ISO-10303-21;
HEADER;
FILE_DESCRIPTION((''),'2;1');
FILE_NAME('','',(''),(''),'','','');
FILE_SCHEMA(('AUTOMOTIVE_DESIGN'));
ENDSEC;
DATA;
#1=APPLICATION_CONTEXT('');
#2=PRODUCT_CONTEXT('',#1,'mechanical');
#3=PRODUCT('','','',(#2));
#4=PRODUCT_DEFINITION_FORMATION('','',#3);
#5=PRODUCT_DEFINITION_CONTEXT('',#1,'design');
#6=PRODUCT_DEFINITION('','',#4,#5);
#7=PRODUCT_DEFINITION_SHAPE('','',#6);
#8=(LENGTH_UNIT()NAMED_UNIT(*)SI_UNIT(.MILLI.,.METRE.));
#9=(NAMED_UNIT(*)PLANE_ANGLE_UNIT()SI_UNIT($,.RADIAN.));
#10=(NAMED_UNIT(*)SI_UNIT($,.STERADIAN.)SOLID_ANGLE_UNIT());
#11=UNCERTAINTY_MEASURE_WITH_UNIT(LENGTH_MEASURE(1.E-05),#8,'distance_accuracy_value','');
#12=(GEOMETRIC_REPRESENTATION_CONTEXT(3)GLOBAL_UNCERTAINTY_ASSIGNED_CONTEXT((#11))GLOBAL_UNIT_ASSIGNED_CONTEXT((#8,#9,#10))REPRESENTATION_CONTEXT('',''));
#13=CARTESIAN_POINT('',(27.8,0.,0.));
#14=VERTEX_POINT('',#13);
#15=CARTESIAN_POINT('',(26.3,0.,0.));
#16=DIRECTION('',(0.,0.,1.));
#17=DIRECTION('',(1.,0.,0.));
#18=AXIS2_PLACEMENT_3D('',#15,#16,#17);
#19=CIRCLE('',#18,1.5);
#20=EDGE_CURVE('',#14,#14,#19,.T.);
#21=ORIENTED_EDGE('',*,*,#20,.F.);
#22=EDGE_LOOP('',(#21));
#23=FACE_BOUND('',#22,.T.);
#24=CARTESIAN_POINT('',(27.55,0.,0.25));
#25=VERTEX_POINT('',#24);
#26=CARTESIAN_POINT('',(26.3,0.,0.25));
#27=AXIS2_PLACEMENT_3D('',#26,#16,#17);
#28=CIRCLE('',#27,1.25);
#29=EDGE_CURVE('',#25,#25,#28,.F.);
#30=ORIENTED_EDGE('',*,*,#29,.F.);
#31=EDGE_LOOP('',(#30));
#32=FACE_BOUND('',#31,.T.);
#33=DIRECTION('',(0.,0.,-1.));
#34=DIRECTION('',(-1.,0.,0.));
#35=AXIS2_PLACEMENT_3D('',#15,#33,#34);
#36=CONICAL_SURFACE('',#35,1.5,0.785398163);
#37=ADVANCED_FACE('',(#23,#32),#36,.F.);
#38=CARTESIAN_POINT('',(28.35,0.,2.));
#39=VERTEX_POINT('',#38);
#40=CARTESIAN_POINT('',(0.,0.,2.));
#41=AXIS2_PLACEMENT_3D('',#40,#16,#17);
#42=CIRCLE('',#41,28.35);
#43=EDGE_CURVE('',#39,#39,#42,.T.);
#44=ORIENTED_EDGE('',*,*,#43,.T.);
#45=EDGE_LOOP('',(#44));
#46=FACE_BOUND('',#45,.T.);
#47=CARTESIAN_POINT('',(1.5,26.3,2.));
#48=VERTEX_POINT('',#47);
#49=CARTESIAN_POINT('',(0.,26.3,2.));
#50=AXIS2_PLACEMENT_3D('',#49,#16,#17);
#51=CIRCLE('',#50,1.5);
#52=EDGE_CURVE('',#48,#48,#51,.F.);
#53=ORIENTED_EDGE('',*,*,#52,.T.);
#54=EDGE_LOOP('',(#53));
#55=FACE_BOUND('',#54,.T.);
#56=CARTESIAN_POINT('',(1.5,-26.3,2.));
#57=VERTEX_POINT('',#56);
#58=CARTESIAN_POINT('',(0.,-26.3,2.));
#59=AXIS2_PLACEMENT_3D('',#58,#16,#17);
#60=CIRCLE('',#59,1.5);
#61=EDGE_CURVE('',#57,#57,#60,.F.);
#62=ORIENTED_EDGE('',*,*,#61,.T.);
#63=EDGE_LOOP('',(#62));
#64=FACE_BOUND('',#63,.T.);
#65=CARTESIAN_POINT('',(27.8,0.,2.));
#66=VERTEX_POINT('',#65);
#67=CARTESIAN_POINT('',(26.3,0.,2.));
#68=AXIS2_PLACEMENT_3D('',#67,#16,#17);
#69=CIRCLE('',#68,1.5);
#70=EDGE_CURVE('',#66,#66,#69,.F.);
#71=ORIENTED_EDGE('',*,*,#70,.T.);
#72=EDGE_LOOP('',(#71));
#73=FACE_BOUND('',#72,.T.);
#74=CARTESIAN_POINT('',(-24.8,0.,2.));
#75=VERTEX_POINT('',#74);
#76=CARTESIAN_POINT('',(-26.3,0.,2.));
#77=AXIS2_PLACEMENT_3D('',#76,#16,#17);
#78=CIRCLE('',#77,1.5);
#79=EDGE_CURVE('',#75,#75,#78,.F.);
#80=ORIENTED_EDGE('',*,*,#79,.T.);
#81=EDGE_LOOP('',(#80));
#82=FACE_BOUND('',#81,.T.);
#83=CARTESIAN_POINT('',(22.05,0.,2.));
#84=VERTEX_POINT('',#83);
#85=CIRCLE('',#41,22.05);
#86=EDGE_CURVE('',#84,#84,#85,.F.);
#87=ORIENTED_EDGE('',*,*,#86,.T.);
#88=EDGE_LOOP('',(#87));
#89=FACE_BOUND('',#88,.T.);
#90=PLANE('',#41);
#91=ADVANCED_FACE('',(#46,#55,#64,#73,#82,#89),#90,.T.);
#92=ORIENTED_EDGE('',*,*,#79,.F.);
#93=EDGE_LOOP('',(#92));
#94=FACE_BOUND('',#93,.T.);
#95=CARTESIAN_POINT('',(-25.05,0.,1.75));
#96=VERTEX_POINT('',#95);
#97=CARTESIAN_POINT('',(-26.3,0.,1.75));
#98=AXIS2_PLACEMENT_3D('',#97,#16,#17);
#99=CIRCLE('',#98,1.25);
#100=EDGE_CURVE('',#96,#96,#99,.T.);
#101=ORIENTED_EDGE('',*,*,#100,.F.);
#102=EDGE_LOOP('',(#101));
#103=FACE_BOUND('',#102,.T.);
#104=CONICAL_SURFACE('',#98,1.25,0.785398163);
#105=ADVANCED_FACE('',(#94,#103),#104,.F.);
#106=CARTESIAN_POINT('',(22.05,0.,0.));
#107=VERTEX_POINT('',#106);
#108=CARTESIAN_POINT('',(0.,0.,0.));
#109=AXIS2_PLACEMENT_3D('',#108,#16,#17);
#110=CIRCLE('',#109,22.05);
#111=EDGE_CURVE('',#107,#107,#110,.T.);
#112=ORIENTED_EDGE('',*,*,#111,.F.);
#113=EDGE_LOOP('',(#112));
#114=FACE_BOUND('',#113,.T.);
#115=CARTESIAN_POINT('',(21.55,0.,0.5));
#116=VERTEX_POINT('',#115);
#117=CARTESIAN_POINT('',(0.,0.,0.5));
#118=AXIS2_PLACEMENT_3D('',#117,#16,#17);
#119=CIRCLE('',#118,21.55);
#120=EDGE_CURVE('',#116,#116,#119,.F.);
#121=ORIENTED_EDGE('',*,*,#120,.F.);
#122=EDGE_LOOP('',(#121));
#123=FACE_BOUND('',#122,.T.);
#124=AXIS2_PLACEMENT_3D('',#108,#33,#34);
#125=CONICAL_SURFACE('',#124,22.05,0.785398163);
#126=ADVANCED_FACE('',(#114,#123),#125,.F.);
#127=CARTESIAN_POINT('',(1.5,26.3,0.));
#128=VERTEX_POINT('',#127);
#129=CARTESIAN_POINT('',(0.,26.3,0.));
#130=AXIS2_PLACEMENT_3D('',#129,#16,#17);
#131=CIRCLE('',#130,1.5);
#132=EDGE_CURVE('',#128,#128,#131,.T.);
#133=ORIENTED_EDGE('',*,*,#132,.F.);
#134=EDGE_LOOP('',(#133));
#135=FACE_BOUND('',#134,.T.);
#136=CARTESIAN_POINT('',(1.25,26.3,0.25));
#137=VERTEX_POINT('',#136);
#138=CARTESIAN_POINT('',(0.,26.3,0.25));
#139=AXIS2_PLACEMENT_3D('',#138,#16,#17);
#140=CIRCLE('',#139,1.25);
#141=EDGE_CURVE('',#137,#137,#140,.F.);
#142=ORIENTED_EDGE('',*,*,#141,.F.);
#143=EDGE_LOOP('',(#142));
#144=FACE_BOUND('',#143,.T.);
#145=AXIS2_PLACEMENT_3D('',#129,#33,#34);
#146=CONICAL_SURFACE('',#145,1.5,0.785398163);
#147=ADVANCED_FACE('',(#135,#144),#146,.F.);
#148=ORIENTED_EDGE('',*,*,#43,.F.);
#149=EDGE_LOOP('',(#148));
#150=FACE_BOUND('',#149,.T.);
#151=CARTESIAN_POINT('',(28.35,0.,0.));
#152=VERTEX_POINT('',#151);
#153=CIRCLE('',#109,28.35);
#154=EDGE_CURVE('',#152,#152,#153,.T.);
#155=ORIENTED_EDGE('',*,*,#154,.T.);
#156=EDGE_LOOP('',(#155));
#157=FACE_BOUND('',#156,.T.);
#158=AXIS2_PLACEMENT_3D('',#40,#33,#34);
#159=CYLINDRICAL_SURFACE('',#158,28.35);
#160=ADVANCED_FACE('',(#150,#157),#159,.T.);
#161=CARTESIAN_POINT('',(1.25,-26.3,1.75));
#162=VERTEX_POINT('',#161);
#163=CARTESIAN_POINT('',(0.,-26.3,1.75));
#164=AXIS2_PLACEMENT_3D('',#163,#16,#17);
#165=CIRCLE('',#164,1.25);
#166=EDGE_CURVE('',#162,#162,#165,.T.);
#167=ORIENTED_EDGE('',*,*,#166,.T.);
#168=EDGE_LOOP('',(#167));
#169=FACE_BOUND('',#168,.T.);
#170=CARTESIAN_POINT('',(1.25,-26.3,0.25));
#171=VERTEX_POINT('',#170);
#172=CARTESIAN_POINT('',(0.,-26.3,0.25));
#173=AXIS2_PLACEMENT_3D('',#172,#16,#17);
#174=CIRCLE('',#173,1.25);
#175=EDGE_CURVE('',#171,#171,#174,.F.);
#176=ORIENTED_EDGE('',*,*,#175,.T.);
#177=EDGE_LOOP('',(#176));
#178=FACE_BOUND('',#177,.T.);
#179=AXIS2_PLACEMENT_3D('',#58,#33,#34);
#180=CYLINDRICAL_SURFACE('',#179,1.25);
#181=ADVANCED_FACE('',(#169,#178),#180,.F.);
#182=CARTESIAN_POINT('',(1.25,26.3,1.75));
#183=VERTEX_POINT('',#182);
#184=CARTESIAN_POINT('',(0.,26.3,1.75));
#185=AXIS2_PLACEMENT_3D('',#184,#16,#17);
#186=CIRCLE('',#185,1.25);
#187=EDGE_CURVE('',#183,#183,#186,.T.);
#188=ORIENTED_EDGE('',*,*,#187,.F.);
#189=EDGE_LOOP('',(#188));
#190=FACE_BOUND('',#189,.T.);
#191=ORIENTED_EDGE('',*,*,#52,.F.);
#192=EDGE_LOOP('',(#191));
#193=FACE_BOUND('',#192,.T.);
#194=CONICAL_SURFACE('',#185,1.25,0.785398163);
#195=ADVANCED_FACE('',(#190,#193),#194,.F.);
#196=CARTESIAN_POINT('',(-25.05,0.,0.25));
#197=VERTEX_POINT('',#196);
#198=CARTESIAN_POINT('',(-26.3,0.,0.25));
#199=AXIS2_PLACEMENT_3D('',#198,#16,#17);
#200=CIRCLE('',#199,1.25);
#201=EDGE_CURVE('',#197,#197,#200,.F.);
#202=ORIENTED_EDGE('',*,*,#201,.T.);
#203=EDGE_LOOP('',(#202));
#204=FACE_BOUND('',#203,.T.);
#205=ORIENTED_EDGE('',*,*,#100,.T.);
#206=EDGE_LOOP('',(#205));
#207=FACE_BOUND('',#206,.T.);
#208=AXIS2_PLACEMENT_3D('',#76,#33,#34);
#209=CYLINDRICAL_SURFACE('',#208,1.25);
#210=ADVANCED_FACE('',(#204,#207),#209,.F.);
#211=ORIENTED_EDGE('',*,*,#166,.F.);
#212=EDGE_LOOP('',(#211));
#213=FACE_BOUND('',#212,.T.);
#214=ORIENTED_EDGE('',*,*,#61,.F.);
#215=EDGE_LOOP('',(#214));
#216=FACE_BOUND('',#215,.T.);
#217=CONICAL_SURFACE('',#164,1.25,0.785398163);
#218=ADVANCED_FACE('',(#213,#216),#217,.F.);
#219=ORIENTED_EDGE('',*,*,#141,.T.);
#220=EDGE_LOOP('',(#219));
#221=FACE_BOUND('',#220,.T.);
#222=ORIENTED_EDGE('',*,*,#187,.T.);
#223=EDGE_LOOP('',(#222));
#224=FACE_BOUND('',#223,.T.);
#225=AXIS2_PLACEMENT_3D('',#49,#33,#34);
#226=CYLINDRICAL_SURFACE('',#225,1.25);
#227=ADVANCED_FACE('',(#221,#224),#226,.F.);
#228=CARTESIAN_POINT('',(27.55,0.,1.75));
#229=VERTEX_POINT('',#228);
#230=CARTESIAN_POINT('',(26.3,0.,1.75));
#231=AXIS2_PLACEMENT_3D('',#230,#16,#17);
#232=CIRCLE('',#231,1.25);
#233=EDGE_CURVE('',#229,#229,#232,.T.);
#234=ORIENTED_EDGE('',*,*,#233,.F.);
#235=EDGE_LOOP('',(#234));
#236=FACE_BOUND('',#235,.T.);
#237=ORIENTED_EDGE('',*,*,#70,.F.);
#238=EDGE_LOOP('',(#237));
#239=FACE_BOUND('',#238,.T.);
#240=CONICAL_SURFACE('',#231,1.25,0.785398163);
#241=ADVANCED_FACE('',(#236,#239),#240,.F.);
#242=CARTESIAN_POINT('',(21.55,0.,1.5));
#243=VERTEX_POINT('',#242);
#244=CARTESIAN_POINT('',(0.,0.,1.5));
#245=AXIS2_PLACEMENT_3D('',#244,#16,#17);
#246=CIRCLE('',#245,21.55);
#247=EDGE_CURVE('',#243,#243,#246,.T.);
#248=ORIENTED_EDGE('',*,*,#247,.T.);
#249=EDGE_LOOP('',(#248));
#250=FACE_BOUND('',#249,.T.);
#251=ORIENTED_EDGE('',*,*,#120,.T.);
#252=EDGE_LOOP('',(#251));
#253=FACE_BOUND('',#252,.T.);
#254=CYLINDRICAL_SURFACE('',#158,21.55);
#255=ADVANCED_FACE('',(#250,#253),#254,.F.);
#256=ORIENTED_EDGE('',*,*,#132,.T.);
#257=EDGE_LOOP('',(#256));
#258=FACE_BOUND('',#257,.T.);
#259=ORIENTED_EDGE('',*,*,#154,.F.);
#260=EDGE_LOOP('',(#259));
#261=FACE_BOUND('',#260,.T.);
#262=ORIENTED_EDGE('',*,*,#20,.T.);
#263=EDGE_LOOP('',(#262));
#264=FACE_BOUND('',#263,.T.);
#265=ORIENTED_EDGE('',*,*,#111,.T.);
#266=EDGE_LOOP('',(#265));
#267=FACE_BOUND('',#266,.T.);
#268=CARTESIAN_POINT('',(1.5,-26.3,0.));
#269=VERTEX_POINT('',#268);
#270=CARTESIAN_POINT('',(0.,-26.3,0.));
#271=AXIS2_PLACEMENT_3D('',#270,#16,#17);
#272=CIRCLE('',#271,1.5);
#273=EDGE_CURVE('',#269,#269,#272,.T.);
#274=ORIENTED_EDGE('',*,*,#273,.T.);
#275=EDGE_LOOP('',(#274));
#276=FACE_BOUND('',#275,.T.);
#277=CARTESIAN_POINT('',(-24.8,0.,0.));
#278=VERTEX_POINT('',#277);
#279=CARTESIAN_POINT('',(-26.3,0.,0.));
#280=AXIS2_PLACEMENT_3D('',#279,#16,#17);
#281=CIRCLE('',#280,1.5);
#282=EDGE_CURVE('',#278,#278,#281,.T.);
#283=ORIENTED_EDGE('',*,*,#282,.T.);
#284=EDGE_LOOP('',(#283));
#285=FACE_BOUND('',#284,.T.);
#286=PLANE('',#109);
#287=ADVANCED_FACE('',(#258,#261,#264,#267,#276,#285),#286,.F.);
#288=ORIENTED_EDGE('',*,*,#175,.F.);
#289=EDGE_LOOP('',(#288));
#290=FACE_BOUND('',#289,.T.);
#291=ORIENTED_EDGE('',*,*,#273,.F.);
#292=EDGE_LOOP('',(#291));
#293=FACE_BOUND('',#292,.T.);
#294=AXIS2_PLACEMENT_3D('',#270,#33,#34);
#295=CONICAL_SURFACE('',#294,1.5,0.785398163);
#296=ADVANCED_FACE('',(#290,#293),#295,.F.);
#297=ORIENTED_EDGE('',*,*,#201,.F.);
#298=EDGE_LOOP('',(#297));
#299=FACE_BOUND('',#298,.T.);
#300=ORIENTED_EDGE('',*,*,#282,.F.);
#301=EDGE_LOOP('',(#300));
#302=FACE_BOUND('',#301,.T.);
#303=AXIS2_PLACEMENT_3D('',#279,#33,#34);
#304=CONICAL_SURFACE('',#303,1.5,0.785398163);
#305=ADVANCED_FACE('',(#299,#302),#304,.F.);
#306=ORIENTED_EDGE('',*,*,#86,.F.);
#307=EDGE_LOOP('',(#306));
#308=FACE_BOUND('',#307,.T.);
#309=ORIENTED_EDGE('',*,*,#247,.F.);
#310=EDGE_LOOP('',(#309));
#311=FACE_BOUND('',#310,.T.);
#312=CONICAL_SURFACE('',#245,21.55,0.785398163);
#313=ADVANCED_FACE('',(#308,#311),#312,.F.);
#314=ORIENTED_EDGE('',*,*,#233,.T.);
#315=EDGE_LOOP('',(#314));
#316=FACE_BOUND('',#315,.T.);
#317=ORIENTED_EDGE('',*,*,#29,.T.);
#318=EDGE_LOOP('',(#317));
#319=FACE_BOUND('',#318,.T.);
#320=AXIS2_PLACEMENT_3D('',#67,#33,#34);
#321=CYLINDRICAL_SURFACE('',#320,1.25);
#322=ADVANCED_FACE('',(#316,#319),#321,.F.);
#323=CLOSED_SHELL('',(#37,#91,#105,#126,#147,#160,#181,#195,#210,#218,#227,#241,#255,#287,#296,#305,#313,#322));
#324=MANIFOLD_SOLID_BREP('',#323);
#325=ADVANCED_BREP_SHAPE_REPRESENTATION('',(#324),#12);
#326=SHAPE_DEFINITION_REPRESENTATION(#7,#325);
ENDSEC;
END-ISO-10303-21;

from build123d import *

# Parameters (mm, degrees)
SKETCH1_R           = 28.35
SKETCH1_R_2         = 21.55
EXTRUDE_THIN1_DEPTH = 2
CHAMFER1_SIZE       = 0.5
SKETCH2_R           = 1.25
CUT_EXTRUDE1_DEPTH  = 41.142807575
CIRPATTERN1_COUNT   = 4
CHAMFER2_SIZE       = 0.25


with BuildPart() as part:
    # Sketch1 → Extrude-Thin1 (new body)
    with BuildSketch(Plane(origin=(0, 0, 0), x_dir=(0, 1, 0), z_dir=(0, 0, 1))):
        Circle(SKETCH1_R)
        Circle(SKETCH1_R_2, mode=Mode.SUBTRACT)
    extrude(amount=EXTRUDE_THIN1_DEPTH)

    # Chamfer1
    chamfer1_edges = [part.edges().sort_by_distance(p)[0] for p in [
        (0, -21.55, 0),
        (0, -21.55, 2),
    ]]
    chamfer(chamfer1_edges, length=CHAMFER1_SIZE)

    # Sketch2 → Cut-Extrude1 (cut, through all)
    with BuildSketch(Plane(origin=(0, 0, 0), x_dir=(0, 1, 0), z_dir=(0, 0, 1))):
        with Locations(Location((0, 26.3, 0), (0, 0, 270))):
            Circle(SKETCH2_R)
    cut_extrude1 = extrude(amount=CUT_EXTRUDE1_DEPTH, mode=Mode.SUBTRACT)

    # CirPattern1: Cut-Extrude1 ×4 about axis
    cirpattern1_axis = Axis((0, 0, 0), (0, 0, 1))
    for i in range(1, CIRPATTERN1_COUNT):
        add(cut_extrude1.rotate(cirpattern1_axis, i * 360 / CIRPATTERN1_COUNT), mode=Mode.SUBTRACT)

    # Chamfer2
    chamfer2_edges = [part.edges().sort_by_distance(p)[0] for p in [
        (-27.55, 0, 0),
        (-27.55, 0, 2),
        (0, 27.55, 0),
        (0, 27.55, 2),
        (27.55, 0, 0),
        (27.55, 0, 2),
        (0, -27.55, 0),
        (0, -27.55, 2),
    ]]
    chamfer(chamfer2_edges, length=CHAMFER2_SIZE)


solid = part.part
